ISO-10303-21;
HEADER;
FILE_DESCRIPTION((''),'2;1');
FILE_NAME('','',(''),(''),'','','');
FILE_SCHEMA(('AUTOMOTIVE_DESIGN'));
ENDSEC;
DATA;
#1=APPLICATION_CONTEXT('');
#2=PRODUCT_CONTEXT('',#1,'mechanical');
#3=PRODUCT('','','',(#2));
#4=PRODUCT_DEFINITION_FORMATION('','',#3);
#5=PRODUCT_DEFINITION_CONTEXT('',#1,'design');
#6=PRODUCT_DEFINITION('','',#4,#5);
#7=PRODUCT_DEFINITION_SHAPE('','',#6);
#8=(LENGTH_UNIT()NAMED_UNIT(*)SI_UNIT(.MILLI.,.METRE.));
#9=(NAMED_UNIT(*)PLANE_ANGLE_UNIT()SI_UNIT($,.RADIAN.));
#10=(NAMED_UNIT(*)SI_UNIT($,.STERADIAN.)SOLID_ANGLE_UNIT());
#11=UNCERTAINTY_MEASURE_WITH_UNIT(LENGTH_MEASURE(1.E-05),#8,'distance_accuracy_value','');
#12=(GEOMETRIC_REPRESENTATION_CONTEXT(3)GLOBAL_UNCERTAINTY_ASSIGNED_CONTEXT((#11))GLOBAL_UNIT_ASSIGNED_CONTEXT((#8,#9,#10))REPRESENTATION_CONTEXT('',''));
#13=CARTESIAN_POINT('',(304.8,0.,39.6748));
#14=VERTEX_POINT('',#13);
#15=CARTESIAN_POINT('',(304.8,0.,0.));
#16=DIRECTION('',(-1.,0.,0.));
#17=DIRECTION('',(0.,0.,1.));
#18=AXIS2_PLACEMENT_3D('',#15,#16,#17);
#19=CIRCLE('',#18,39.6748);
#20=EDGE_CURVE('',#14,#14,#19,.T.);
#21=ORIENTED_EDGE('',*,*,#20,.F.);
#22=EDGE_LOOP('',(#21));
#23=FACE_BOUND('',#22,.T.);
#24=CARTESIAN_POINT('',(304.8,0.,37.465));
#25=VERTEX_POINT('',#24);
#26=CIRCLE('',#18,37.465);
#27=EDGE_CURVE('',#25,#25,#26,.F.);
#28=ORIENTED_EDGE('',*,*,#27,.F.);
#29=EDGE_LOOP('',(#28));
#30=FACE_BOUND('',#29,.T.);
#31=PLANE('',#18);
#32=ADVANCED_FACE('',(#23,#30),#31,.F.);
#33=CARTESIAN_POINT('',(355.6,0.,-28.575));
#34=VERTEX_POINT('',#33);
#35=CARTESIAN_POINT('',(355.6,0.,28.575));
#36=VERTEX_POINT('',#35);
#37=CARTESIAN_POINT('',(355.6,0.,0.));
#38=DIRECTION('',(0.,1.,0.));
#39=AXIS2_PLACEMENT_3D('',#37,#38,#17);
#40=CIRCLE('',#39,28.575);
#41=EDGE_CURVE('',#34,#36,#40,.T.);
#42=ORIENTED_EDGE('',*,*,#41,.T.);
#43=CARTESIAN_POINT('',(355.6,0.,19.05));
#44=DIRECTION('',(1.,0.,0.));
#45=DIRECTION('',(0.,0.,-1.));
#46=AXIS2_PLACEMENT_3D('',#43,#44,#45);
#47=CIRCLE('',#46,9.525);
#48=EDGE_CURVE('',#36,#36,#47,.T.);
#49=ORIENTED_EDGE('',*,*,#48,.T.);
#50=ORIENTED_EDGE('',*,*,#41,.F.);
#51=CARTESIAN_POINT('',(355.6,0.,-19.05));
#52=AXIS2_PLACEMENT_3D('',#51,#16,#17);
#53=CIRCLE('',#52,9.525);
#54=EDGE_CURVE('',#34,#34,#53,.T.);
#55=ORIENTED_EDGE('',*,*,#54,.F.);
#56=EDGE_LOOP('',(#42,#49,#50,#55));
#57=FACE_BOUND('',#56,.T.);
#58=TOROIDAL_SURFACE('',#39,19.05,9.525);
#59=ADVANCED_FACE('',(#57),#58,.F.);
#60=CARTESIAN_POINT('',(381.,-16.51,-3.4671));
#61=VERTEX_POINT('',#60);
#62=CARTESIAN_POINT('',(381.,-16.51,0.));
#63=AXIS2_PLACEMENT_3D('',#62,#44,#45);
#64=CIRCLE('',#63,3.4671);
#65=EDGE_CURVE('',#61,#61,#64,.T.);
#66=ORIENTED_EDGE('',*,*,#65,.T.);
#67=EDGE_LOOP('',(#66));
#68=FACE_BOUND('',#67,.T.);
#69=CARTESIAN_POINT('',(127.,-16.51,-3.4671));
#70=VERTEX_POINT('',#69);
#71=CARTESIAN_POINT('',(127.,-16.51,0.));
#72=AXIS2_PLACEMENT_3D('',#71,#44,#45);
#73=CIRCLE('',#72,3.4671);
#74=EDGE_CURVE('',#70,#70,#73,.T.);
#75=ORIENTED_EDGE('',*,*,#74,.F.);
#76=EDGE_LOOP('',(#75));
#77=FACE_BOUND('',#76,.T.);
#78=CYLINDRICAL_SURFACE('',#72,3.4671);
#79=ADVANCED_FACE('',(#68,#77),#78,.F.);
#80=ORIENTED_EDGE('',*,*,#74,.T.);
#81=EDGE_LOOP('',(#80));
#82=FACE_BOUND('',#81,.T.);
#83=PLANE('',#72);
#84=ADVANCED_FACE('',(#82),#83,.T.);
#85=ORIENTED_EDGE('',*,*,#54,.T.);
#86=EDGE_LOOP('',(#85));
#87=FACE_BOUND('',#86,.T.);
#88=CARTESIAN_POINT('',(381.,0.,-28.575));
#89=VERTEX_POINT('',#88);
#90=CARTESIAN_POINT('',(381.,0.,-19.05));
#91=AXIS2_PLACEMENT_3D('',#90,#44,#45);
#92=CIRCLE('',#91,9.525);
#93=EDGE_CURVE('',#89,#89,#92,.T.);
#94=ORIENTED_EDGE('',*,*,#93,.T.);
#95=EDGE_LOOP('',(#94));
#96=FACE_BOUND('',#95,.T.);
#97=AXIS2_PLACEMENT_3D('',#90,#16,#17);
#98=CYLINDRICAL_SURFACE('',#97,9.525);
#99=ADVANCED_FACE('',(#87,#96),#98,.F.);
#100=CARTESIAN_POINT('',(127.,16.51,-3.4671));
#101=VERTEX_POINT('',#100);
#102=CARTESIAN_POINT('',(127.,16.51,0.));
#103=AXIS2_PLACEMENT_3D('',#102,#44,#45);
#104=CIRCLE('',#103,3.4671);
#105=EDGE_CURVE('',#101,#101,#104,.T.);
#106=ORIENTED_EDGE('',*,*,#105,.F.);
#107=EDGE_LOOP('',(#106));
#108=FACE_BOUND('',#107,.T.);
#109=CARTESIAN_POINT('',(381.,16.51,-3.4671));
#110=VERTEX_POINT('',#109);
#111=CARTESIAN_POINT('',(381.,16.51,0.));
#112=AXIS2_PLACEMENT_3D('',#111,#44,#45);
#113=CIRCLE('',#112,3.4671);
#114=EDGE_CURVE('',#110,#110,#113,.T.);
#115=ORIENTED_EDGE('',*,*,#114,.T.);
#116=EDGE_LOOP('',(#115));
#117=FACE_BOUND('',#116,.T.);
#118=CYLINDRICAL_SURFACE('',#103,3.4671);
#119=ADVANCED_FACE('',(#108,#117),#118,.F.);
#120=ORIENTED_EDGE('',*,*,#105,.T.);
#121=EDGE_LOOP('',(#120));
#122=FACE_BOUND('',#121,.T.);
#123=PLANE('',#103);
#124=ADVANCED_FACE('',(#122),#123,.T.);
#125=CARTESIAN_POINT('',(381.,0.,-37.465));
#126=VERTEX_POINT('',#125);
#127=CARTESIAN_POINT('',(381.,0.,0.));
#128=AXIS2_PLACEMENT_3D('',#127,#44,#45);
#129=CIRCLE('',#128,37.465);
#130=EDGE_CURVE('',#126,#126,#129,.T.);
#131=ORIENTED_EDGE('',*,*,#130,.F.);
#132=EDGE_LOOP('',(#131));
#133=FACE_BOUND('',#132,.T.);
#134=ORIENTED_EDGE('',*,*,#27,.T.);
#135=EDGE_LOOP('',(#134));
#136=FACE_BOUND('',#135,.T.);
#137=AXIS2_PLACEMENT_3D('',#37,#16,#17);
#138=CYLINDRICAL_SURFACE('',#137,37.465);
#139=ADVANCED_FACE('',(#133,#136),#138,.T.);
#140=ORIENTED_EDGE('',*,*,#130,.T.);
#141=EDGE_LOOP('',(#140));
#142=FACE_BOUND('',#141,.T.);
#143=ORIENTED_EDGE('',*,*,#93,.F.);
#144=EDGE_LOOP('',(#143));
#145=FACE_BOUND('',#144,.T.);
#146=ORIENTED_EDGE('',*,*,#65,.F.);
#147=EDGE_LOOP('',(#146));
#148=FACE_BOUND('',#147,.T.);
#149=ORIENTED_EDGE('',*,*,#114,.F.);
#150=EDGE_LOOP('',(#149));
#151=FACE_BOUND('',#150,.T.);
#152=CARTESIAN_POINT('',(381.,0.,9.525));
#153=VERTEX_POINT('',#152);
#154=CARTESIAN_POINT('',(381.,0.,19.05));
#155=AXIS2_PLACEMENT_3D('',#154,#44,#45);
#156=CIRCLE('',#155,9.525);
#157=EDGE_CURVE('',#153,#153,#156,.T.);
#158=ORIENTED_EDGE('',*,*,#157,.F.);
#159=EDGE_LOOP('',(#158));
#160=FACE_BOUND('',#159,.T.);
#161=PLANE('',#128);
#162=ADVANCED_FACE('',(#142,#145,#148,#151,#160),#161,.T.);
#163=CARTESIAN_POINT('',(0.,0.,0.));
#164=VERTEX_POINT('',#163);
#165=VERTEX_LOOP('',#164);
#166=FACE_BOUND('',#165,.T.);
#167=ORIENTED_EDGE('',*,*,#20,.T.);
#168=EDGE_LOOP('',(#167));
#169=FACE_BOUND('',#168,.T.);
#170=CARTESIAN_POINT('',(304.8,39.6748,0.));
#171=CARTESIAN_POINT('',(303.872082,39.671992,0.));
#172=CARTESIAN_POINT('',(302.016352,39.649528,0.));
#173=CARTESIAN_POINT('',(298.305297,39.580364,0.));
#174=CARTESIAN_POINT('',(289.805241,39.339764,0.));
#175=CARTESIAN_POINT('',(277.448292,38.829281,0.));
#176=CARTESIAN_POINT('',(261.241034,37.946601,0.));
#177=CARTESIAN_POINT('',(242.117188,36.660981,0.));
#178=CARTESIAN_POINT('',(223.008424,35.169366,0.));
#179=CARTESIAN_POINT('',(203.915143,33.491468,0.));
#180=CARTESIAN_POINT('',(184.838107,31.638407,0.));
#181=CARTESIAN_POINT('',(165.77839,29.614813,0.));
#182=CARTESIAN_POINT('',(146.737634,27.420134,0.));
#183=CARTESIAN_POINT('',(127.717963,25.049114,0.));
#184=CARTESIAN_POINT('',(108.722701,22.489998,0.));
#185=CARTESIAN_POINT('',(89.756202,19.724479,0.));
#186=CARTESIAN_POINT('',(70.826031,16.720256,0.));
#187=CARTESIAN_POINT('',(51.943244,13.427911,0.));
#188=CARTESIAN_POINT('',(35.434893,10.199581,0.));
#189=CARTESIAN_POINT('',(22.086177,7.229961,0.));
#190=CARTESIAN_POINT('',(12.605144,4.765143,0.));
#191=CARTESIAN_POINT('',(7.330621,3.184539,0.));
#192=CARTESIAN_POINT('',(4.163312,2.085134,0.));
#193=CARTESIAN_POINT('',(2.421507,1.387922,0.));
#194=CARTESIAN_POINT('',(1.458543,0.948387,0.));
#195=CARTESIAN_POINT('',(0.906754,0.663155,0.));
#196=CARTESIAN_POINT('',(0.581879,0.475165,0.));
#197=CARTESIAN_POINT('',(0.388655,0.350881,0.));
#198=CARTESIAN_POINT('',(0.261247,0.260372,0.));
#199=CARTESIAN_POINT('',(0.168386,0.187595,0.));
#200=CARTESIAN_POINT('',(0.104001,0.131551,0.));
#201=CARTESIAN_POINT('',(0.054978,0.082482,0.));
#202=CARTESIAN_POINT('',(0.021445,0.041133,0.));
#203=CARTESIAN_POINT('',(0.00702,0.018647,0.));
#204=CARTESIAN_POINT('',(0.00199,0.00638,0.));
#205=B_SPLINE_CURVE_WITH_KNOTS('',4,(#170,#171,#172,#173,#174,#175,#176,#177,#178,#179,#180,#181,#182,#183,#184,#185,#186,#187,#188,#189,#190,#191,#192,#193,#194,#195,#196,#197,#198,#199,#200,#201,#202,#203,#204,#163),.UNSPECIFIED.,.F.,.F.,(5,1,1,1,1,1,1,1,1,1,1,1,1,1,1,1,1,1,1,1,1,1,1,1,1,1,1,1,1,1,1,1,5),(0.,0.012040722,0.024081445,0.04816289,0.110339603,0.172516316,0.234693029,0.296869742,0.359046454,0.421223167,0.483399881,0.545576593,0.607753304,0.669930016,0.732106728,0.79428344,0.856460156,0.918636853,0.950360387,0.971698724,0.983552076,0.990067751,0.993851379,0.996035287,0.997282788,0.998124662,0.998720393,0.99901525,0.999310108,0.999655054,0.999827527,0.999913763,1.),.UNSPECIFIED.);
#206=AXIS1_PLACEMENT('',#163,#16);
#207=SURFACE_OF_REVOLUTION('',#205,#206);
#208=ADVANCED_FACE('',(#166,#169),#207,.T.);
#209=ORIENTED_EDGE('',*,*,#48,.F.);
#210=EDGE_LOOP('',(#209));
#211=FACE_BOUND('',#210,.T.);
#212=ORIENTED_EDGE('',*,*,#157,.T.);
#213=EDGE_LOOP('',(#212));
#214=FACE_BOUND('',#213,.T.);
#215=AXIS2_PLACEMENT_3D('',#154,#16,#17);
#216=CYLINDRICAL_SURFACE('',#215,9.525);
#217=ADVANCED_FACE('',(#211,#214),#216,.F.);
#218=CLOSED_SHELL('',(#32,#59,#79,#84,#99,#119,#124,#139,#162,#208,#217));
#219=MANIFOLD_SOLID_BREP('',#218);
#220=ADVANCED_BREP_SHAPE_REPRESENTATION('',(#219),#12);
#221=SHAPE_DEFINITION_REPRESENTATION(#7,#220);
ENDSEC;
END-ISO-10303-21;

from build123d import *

# Parameters (mm, degrees)
SKETCH2_R           = 37.465
BOSS_EXTRUDE1_DEPTH = 50.8
SKETCH3_R           = 9.525
CUT_REVOLVE1_ANGLE  = 180
SKETCH4_R           = 37.465
SKETCH4_R_2         = 9.525
BOSS_EXTRUDE2_DEPTH = 25.4
SKETCH5_R           = 3.4671
CUT_EXTRUDE1_DEPTH  = 254


with BuildPart() as part:
    # Sketch1 → Revolve1 (revolve)
    with BuildSketch(Plane.XY):
        with BuildLine():
            Line((0, 0), (304.8, 0))
            Line((304.8, 0), (304.8, 39.6748))
            add(Edge.make_bspline(
                [(0, 0), (0.001990016, 0.006380343), (0.00701971, 0.018647451), (0.02144512, 0.041133145), (0.054977521, 0.082482136), (0.104001435, 0.131550788), (0.168386027, 0.187594696), (0.261246618, 0.26037229), (0.388654902, 0.350880875), (0.581878865, 0.475164865), (0.906754263, 0.663154837), (1.458542633, 0.94838722), (2.421507462, 1.387921999), (4.163311697, 2.085133875), (7.330620723, 3.184538925), (12.605144246, 4.765142981), (22.086176793, 7.229960877), (35.434892871, 10.199581229), (51.943243843, 13.427910643), (70.826030727, 16.720256354), (89.756201504, 19.724478891), (108.72270084, 22.489997643), (127.717963157, 25.049113562), (146.737633519, 27.420133683), (165.778389571, 29.614813334), (184.838106864, 31.638406979), (203.915143101, 33.491467662), (223.008423973, 35.16936619), (242.117188184, 36.660980831), (261.241034269, 37.946600905), (277.448292398, 38.829280667), (289.805240869, 39.3397638), (298.30529744, 39.58036416), (302.01635164, 39.649528), (303.872082374, 39.671991977), (304.8, 39.6748)],
                knots=[0, 0, 0, 0, 0, 8.6237e-05, 0.000172473, 0.000344946, 0.000689892, 0.00098475, 0.001279607, 0.001875338, 0.002717212, 0.003964713, 0.006148621, 0.009932249, 0.016447924, 0.028301276, 0.049639613, 0.081363147, 0.143539844, 0.20571656, 0.267893272, 0.330069984, 0.392246696, 0.454423407, 0.516600119, 0.578776833, 0.640953546, 0.703130258, 0.765306971, 0.827483684, 0.889660397, 0.95183711, 0.975918555, 0.987959278, 1, 1, 1, 1, 1], degree=4))
        make_face()
    revolve(axis=Axis((0, 0, 0), (1, 0, 0)))

    # Sketch2 → Boss-Extrude1 (add)
    with BuildSketch(Plane(origin=(304.8, 0, 0), x_dir=(0, 0, -1), z_dir=(1, 0, 0))):
        with Locations(Location((0, 0, 0), (0, 0, 180))):
            Circle(SKETCH2_R)
    extrude(amount=BOSS_EXTRUDE1_DEPTH)

    # Sketch3 → Cut-Revolve1 (revolve, cut)
    with BuildSketch(Plane(origin=(355.6, 0, 0), x_dir=(0, 0, -1), z_dir=(1, 0, 0))):
        with Locations((-19.05, 0)):
            Circle(SKETCH3_R)
    revolve(axis=Axis((355.6, 37.465, 0), (0, -1, 0)), revolution_arc=CUT_REVOLVE1_ANGLE, mode=Mode.SUBTRACT)

    # Sketch4 → Boss-Extrude2 (add)
    with BuildSketch(Plane(origin=(355.6, 0, 0), x_dir=(0, 0, -1), z_dir=(1, 0, 0))):
        with Locations(Location((0, 0, 0), (0, 0, 180))):
            Circle(SKETCH4_R)
        with Locations(Location((-19.05, 0, 0), (0, 0, 180))):
            Circle(SKETCH4_R_2, mode=Mode.SUBTRACT)
        with Locations((19.05, 0)):
            Circle(SKETCH4_R_2, mode=Mode.SUBTRACT)
    extrude(amount=BOSS_EXTRUDE2_DEPTH)

    # Sketch5 → Cut-Extrude1 (cut)
    with BuildSketch(Plane(origin=(381, 0, 0), x_dir=(0, 0, -1), z_dir=(1, 0, 0))):
        with Locations((0, 16.51)):
            Circle(SKETCH5_R)
        with Locations((0, -16.51)):
            Circle(SKETCH5_R)
    extrude(amount=-CUT_EXTRUDE1_DEPTH, mode=Mode.SUBTRACT)


solid = part.part
